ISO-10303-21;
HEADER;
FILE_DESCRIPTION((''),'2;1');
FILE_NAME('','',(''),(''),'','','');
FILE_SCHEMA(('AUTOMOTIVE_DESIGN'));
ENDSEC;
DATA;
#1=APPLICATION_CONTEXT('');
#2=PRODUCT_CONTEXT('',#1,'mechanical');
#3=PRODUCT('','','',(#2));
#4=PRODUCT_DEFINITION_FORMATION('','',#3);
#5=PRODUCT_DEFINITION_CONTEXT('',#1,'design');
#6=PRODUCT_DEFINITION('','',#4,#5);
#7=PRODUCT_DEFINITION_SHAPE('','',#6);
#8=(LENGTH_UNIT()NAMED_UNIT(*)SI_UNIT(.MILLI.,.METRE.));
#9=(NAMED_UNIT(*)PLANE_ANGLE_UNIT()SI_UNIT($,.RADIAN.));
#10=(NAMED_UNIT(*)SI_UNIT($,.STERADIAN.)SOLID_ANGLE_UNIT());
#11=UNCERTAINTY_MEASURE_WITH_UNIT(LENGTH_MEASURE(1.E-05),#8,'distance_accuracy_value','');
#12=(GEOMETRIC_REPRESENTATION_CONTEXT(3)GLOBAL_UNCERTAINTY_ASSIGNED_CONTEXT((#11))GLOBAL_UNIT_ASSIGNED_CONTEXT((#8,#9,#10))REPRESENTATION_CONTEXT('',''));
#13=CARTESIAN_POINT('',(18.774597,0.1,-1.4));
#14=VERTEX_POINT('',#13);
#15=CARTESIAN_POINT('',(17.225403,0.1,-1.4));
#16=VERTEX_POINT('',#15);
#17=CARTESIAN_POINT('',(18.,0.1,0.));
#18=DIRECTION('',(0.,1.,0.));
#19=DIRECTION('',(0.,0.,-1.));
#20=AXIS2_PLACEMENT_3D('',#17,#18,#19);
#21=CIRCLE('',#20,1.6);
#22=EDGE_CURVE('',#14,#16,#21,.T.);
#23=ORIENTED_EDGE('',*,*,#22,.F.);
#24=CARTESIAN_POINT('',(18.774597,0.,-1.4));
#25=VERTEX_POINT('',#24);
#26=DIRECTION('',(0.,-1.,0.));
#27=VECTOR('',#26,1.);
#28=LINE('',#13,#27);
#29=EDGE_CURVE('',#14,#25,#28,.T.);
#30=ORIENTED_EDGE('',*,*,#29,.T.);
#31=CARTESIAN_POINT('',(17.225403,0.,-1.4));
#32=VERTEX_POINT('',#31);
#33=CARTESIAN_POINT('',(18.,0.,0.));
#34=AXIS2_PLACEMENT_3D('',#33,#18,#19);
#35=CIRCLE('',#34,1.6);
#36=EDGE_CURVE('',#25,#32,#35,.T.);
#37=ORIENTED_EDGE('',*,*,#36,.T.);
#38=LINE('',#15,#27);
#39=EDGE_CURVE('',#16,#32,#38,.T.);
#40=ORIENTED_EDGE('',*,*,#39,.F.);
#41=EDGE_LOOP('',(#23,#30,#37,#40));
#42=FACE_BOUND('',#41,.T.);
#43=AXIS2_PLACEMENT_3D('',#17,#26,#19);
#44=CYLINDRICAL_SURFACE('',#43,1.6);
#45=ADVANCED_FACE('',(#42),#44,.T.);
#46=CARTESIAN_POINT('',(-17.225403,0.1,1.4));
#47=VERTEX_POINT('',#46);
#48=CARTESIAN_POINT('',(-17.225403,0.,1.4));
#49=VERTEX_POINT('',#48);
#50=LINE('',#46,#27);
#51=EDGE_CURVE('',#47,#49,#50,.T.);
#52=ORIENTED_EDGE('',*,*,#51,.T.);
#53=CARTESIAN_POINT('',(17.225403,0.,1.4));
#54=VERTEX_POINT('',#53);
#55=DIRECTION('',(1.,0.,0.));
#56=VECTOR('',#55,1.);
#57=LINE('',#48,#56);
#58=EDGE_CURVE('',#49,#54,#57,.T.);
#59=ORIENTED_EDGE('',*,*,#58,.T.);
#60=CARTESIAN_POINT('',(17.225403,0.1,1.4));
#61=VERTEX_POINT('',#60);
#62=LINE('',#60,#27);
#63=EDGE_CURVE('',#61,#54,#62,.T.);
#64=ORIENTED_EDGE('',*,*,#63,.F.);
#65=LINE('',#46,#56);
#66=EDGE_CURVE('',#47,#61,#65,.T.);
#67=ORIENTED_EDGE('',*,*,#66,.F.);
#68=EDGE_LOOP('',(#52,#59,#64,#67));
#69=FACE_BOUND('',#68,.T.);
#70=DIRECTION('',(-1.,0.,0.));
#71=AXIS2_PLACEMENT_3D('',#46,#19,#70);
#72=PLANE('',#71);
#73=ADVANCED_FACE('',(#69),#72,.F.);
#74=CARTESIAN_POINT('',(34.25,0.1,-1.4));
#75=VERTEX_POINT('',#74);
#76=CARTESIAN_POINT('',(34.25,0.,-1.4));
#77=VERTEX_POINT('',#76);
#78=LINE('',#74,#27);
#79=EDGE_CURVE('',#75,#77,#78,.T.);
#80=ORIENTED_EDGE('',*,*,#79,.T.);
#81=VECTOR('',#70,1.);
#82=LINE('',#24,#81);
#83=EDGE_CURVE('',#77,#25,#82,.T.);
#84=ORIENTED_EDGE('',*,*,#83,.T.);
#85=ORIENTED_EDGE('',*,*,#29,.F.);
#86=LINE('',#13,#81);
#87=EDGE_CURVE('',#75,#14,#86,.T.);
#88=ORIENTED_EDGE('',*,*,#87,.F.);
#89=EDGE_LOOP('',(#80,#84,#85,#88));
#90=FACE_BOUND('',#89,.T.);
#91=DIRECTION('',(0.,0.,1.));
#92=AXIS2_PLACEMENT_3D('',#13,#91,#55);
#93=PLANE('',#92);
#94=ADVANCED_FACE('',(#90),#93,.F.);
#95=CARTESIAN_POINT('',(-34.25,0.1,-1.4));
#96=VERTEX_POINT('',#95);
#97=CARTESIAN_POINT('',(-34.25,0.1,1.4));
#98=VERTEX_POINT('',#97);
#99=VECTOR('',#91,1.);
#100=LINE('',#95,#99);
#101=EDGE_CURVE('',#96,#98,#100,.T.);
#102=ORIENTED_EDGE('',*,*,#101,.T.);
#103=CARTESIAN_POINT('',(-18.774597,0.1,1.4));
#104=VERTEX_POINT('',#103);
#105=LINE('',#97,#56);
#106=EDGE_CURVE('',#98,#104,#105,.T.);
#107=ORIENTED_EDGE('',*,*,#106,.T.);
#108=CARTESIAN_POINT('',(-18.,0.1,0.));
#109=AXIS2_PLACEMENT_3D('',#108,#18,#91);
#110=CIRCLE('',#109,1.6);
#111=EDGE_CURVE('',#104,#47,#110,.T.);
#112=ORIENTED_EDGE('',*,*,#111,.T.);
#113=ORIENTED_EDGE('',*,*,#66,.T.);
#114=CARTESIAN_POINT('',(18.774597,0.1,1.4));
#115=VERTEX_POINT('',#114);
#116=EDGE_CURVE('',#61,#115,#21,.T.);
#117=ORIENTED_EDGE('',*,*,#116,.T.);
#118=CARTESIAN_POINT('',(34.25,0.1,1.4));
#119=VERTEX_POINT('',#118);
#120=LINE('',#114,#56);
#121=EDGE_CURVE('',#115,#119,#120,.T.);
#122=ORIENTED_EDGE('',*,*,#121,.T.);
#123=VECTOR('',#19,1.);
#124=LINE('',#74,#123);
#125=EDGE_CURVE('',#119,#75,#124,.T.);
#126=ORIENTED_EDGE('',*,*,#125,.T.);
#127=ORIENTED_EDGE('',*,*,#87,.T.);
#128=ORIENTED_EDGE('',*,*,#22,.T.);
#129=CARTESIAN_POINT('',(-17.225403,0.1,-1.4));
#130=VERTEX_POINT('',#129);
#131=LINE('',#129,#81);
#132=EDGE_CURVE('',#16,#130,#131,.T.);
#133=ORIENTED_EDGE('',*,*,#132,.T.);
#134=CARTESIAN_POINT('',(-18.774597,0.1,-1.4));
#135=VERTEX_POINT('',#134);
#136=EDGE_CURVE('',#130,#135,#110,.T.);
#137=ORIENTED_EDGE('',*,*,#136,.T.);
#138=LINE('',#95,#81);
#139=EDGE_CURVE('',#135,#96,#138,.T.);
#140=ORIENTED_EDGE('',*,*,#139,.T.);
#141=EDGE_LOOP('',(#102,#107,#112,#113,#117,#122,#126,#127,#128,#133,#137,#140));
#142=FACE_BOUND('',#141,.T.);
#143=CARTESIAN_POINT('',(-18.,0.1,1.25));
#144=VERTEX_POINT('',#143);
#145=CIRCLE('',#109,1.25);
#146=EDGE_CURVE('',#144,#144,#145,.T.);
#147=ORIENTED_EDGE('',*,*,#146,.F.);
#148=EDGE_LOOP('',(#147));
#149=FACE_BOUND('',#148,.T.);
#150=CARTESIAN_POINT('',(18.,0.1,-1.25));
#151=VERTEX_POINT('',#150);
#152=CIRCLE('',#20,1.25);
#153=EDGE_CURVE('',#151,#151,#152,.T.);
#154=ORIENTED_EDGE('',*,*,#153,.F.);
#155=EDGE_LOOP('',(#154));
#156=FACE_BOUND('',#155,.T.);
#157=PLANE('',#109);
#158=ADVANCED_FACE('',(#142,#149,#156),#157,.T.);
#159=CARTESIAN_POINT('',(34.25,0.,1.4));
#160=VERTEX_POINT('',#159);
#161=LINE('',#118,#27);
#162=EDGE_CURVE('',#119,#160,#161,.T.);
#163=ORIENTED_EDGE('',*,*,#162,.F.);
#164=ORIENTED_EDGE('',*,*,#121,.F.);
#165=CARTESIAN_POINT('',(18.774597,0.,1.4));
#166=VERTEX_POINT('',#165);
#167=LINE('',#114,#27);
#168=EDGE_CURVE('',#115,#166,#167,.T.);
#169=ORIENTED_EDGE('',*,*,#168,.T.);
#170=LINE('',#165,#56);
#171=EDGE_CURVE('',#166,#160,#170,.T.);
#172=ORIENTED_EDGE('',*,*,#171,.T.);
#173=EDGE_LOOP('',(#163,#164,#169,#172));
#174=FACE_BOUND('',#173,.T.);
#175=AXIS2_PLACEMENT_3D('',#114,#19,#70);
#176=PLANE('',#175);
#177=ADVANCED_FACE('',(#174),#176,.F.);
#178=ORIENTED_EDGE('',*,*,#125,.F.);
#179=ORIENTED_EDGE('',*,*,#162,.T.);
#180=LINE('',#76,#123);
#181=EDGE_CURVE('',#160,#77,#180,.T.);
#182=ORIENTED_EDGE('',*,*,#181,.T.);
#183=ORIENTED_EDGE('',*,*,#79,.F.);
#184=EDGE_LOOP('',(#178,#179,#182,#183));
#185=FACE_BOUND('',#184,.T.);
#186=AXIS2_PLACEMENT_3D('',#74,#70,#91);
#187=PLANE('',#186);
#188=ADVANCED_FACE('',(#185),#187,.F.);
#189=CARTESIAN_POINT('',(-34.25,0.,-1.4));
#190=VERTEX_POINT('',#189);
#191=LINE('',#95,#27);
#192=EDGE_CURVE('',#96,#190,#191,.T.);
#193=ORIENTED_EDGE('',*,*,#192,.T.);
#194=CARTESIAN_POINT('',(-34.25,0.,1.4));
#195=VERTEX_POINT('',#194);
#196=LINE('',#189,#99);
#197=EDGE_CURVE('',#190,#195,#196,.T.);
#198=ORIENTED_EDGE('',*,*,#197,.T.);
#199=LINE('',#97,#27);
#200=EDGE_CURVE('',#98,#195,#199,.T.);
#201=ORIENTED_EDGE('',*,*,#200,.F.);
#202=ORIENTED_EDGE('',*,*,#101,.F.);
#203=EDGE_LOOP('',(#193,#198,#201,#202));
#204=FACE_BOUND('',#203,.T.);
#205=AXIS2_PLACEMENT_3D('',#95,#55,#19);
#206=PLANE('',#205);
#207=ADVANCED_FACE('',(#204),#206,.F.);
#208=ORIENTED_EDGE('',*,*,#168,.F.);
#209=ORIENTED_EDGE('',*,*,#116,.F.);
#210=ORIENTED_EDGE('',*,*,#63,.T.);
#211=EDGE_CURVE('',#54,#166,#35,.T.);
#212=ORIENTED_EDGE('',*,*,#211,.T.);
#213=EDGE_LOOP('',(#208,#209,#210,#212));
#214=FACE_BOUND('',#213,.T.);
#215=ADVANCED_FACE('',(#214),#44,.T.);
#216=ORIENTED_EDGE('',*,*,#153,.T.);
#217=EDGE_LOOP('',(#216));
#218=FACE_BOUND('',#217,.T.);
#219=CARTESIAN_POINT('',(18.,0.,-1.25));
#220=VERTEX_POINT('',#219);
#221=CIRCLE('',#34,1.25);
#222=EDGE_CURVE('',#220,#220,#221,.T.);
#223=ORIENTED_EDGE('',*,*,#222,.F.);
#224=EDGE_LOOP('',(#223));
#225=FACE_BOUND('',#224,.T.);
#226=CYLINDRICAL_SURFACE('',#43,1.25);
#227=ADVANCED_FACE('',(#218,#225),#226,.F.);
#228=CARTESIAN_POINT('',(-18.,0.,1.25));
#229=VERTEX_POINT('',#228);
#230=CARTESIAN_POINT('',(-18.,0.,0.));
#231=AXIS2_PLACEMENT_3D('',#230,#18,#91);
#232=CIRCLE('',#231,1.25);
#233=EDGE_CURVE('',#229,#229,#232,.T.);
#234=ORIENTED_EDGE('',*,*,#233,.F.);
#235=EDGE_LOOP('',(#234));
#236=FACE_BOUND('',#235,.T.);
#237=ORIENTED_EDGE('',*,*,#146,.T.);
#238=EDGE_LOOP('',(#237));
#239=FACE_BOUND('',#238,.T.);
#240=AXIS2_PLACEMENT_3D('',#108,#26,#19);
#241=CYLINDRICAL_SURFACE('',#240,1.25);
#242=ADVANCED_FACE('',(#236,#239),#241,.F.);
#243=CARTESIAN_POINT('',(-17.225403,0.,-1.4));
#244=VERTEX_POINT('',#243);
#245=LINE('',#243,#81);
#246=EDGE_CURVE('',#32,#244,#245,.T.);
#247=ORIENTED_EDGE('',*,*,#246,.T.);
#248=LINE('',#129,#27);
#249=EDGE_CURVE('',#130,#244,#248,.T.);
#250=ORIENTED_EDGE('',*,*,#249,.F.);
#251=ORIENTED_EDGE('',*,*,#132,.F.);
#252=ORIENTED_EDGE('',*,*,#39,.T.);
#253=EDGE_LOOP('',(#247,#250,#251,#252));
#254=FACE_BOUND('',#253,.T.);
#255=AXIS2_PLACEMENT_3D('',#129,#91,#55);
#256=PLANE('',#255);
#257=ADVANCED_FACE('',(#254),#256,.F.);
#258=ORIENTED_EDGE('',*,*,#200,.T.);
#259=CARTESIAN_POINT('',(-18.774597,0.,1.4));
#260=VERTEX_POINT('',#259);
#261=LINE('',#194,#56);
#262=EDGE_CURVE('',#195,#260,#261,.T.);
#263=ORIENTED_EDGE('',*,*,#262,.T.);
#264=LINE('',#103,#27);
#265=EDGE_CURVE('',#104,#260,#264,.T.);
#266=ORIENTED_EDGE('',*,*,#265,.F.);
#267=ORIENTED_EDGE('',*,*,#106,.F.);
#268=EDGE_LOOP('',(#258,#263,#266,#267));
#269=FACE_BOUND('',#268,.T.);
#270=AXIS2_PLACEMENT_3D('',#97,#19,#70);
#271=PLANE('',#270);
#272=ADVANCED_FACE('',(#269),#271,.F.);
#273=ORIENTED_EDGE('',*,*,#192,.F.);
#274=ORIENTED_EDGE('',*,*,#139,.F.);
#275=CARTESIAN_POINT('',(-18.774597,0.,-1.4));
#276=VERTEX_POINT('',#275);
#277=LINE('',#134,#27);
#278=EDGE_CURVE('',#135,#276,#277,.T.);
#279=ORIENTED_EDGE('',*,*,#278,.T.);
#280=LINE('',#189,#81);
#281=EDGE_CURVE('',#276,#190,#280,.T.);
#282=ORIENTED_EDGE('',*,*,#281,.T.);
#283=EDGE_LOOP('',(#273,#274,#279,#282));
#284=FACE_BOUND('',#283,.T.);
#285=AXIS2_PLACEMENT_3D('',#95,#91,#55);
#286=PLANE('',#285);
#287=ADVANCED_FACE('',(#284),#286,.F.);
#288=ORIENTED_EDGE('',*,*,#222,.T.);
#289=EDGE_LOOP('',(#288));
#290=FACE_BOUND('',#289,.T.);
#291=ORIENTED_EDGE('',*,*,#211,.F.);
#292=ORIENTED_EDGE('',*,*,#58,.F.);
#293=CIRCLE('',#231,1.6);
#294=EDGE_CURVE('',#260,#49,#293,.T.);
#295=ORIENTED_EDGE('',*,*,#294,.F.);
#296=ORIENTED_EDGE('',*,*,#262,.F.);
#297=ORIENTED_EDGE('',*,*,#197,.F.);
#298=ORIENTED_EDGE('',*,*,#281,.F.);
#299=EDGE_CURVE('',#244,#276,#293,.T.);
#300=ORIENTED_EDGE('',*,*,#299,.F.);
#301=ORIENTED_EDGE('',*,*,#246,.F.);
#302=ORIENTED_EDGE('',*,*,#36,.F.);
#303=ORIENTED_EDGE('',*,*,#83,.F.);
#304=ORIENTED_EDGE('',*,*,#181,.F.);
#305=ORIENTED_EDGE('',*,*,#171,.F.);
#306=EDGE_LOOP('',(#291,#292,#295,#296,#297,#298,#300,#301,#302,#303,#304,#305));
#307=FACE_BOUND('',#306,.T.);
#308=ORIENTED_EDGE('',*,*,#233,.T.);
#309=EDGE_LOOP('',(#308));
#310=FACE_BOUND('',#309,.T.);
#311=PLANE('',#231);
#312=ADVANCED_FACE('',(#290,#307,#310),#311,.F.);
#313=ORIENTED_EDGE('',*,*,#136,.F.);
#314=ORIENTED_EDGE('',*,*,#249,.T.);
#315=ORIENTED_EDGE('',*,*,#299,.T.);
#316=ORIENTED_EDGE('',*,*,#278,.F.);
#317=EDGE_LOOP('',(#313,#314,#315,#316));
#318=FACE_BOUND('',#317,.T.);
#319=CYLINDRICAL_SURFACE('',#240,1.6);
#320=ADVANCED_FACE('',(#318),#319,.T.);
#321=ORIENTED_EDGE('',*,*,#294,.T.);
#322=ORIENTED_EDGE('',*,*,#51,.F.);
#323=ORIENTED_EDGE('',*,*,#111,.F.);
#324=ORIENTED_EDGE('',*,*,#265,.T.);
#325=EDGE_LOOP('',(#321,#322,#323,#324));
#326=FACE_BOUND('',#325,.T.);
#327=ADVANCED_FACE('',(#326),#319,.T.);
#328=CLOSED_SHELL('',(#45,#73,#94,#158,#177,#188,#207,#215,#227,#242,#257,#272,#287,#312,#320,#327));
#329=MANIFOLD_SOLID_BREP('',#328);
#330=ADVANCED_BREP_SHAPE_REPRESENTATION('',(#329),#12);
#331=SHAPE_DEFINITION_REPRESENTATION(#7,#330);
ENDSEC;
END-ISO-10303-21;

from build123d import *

# Parameters (mm, degrees)
SKETCH1_R           = 1.25
BOSS_EXTRUDE1_DEPTH = 0.1


with BuildPart() as part:
    # Sketch1 → Boss-Extrude1 (new body)
    with BuildSketch(Plane(origin=(0, 0, 0), x_dir=(1, 0, 0), z_dir=(0, 1, 0))):
        with BuildLine():
            Line((-34.25, 1.4), (-18.774596669, 1.4))
            ThreePointArc((-18.774596669, 1.4), (-18, 1.6), (-17.225403331, 1.4))
            Line((-17.225403331, 1.4), (17.225403331, 1.4))
            ThreePointArc((17.225403331, 1.4), (18, 1.6), (18.774596669, 1.4))
            Line((18.774596669, 1.4), (34.25, 1.4))
            Line((34.25, 1.4), (34.25, -1.4))
            Line((34.25, -1.4), (18.774596669, -1.4))
            ThreePointArc((18.774596669, -1.4), (18, -1.6), (17.225403331, -1.4))
            Line((17.225403331, -1.4), (-17.225403331, -1.4))
            ThreePointArc((-17.225403331, -1.4), (-18, -1.6), (-18.774596669, -1.4))
            Line((-18.774596669, -1.4), (-34.25, -1.4))
            Line((-34.25, -1.4), (-34.25, 1.4))
        make_face()
        with Locations(Location((-18, 0, 0), (0, 0, 270))):
            Circle(SKETCH1_R, mode=Mode.SUBTRACT)
        with Locations(Location((18, 0, 0), (0, 0, 90))):
            Circle(SKETCH1_R, mode=Mode.SUBTRACT)
    extrude(amount=BOSS_EXTRUDE1_DEPTH)


solid = part.part
